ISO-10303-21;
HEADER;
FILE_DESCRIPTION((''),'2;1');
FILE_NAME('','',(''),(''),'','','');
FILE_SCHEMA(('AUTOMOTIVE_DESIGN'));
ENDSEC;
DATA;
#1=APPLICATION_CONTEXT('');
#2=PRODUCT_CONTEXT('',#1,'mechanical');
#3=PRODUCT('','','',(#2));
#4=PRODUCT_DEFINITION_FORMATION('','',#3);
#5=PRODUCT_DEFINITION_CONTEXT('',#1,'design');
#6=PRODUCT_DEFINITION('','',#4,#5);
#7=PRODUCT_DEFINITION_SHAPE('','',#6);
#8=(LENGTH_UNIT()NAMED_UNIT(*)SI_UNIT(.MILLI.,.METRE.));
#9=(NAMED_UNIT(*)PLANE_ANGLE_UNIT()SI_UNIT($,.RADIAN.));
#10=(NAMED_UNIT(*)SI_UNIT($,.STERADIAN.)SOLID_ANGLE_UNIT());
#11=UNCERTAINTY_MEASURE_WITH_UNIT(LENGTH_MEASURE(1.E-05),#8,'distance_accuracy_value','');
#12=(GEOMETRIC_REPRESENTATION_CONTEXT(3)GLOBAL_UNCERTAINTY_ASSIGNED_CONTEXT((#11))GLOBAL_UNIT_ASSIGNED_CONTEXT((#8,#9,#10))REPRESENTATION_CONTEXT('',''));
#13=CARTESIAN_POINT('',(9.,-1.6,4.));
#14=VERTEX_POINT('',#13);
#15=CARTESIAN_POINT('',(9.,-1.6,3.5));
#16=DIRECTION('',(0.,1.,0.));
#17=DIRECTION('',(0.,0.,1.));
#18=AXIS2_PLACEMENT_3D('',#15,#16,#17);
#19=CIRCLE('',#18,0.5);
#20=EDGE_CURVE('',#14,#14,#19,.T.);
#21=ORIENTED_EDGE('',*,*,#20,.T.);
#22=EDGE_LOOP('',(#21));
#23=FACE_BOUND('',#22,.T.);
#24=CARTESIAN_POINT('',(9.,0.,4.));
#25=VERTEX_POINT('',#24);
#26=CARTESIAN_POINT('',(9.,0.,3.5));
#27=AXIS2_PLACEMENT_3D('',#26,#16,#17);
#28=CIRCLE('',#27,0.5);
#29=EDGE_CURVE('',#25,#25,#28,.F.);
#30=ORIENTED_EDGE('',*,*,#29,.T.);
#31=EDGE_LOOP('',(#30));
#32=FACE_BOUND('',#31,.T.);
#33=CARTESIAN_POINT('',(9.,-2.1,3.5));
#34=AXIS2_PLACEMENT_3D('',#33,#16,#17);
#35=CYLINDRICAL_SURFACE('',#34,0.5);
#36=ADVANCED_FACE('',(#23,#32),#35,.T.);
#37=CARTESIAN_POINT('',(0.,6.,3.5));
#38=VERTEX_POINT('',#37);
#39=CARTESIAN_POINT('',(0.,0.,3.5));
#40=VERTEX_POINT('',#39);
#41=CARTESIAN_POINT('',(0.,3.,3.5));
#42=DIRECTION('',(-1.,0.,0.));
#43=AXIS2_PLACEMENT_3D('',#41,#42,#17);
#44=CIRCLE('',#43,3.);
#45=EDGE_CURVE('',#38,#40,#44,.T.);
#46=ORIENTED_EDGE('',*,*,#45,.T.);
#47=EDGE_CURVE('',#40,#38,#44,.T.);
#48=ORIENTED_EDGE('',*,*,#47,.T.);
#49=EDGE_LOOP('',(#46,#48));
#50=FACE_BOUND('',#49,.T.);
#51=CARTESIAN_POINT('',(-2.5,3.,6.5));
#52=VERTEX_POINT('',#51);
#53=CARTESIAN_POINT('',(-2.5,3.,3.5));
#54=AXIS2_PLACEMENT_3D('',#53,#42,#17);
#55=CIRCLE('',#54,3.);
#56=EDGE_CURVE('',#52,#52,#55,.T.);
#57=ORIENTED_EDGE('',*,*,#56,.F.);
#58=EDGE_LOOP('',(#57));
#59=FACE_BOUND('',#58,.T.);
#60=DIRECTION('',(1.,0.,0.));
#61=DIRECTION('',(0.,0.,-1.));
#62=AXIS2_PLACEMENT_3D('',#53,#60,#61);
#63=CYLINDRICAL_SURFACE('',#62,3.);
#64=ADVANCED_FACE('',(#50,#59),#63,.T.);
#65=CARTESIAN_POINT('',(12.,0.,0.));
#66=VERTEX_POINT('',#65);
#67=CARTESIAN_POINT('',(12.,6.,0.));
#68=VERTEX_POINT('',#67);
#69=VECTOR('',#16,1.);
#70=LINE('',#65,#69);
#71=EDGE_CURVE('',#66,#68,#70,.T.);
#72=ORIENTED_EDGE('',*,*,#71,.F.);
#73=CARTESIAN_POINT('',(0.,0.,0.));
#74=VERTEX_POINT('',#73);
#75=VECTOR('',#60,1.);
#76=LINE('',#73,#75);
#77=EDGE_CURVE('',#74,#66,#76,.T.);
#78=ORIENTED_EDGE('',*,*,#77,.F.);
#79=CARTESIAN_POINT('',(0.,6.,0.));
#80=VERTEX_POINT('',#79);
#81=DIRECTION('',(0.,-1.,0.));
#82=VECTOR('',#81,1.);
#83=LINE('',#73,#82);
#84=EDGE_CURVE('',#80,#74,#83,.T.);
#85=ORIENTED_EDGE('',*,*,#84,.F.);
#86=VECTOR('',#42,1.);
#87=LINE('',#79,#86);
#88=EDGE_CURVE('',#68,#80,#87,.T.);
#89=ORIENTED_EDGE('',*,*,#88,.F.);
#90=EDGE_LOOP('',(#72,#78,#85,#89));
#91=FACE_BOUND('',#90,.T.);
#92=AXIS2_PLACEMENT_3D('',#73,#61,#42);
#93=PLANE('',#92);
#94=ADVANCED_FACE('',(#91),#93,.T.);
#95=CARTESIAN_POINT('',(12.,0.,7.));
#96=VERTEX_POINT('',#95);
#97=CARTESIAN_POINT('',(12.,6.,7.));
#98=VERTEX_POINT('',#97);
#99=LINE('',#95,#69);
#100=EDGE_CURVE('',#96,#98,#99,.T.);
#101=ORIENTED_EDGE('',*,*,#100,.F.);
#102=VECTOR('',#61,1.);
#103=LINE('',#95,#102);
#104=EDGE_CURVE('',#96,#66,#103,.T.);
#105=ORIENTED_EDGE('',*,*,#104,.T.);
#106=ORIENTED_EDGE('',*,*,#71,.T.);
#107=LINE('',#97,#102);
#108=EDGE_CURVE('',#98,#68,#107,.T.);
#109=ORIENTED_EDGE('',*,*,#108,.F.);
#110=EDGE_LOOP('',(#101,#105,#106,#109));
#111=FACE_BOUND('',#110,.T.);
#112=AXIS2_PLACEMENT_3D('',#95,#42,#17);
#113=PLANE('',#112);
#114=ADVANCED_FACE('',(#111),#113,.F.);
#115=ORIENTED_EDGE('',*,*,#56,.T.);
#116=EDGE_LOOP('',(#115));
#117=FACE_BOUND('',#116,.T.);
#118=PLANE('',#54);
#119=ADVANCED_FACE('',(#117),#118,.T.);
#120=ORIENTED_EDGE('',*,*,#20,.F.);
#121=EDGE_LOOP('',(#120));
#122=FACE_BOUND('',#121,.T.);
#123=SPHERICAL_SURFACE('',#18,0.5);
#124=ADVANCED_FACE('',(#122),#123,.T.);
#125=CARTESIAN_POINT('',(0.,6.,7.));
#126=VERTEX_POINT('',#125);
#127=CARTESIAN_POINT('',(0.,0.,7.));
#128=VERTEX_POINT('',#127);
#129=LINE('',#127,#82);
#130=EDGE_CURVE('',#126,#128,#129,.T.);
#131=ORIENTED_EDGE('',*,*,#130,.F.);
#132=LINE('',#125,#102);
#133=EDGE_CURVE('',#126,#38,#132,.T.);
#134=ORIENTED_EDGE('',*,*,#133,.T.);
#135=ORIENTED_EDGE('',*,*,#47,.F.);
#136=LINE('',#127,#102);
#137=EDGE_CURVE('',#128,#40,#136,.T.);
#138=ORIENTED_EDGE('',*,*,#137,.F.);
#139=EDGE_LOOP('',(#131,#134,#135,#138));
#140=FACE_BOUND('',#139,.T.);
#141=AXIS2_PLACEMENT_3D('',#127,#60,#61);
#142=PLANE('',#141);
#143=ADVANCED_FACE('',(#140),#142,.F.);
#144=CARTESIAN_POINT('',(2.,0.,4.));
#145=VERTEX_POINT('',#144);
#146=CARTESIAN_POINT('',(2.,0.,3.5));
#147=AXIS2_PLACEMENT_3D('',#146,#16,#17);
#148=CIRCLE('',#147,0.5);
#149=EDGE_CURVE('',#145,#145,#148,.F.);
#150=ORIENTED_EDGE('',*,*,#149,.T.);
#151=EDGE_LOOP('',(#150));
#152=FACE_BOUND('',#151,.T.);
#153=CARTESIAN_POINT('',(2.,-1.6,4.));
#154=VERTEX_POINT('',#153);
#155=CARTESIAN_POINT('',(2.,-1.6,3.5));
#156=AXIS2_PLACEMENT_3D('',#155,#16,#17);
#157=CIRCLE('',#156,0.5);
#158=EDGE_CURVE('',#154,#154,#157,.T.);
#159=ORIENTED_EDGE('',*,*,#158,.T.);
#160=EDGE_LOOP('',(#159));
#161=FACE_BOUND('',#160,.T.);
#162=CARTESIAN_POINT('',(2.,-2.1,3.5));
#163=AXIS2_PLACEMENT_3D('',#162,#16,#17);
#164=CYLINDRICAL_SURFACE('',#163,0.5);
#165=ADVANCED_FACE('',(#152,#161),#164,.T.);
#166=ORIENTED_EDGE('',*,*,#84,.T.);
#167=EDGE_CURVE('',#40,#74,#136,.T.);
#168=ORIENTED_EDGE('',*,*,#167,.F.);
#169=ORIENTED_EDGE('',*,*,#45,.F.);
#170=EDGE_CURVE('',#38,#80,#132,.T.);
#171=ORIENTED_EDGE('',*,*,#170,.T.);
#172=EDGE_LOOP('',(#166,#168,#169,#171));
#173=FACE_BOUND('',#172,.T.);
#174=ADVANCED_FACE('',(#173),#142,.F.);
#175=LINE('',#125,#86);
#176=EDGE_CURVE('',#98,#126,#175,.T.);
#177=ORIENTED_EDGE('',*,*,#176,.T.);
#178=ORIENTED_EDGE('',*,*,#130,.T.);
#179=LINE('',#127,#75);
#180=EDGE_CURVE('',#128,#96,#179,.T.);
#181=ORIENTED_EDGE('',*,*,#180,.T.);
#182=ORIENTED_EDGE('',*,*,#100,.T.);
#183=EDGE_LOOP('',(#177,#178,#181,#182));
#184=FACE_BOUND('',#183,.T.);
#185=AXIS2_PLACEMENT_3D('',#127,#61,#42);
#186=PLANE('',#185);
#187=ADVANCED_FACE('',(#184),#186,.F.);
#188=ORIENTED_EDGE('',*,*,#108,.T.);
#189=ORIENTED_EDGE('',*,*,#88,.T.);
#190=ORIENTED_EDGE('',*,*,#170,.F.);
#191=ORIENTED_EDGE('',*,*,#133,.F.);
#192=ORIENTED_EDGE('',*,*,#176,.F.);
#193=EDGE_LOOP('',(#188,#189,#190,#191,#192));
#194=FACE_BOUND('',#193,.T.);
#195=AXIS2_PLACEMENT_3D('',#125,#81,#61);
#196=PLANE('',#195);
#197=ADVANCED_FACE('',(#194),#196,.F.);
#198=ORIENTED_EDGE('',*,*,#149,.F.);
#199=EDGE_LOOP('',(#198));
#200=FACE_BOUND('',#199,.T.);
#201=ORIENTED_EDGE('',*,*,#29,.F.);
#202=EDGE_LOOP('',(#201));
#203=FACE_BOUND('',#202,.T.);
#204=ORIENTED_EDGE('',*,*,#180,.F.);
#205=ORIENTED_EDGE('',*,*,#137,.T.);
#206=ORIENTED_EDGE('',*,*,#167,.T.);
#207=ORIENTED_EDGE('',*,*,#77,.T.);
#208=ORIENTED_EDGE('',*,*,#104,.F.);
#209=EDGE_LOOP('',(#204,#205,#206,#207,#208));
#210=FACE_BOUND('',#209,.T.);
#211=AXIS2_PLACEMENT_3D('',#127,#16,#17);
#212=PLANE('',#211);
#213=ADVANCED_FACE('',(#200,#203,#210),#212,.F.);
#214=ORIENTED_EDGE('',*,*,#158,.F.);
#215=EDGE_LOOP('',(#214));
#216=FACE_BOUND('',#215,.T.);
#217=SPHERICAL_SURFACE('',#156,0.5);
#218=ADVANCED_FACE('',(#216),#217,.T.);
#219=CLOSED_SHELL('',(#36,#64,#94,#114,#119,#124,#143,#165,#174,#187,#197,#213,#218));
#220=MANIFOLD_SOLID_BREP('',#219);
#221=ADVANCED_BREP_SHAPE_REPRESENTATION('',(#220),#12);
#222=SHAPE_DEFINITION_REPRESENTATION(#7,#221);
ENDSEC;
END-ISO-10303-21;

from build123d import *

# Parameters (mm, degrees)
SKETCH1_W           = 12
SKETCH1_H           = 6
BOSS_EXTRUDE1_DEPTH = 7
SKETCH2_R           = 3
BOSS_EXTRUDE2_DEPTH = 2.5
SKETCH3_R           = 0.5
BOSS_EXTRUDE3_DEPTH = 2.1
FILLET1_R           = 0.5


with BuildPart() as part:
    # Sketch1 → Boss-Extrude1 (new body)
    with BuildSketch(Plane.XY):
        with Locations((6, 3)):
            Rectangle(SKETCH1_W, SKETCH1_H)
    extrude(amount=BOSS_EXTRUDE1_DEPTH)

    # Sketch2 → Boss-Extrude2 (add)
    with BuildSketch(Plane.ZY):
        with Locations(Location((3.5, 3, 0), (0, 0, 270))):
            Circle(SKETCH2_R)
    extrude(amount=BOSS_EXTRUDE2_DEPTH)

    # Sketch3 → Boss-Extrude3 (add)
    with BuildSketch(Plane.XZ):
        with Locations(Location((2, 3.5, 0), (0, 0, 90))):
            Circle(SKETCH3_R)
        with Locations(Location((9, 3.5, 0), (0, 0, 90))):
            Circle(SKETCH3_R)
    extrude(amount=BOSS_EXTRUDE3_DEPTH)

    # Fillet1
    fillet1_edges = [part.edges().sort_by_distance(p)[0] for p in [
        (2, -2.1, 3),
        (9, -2.1, 3),
    ]]
    fillet(fillet1_edges, radius=FILLET1_R)


solid = part.part
